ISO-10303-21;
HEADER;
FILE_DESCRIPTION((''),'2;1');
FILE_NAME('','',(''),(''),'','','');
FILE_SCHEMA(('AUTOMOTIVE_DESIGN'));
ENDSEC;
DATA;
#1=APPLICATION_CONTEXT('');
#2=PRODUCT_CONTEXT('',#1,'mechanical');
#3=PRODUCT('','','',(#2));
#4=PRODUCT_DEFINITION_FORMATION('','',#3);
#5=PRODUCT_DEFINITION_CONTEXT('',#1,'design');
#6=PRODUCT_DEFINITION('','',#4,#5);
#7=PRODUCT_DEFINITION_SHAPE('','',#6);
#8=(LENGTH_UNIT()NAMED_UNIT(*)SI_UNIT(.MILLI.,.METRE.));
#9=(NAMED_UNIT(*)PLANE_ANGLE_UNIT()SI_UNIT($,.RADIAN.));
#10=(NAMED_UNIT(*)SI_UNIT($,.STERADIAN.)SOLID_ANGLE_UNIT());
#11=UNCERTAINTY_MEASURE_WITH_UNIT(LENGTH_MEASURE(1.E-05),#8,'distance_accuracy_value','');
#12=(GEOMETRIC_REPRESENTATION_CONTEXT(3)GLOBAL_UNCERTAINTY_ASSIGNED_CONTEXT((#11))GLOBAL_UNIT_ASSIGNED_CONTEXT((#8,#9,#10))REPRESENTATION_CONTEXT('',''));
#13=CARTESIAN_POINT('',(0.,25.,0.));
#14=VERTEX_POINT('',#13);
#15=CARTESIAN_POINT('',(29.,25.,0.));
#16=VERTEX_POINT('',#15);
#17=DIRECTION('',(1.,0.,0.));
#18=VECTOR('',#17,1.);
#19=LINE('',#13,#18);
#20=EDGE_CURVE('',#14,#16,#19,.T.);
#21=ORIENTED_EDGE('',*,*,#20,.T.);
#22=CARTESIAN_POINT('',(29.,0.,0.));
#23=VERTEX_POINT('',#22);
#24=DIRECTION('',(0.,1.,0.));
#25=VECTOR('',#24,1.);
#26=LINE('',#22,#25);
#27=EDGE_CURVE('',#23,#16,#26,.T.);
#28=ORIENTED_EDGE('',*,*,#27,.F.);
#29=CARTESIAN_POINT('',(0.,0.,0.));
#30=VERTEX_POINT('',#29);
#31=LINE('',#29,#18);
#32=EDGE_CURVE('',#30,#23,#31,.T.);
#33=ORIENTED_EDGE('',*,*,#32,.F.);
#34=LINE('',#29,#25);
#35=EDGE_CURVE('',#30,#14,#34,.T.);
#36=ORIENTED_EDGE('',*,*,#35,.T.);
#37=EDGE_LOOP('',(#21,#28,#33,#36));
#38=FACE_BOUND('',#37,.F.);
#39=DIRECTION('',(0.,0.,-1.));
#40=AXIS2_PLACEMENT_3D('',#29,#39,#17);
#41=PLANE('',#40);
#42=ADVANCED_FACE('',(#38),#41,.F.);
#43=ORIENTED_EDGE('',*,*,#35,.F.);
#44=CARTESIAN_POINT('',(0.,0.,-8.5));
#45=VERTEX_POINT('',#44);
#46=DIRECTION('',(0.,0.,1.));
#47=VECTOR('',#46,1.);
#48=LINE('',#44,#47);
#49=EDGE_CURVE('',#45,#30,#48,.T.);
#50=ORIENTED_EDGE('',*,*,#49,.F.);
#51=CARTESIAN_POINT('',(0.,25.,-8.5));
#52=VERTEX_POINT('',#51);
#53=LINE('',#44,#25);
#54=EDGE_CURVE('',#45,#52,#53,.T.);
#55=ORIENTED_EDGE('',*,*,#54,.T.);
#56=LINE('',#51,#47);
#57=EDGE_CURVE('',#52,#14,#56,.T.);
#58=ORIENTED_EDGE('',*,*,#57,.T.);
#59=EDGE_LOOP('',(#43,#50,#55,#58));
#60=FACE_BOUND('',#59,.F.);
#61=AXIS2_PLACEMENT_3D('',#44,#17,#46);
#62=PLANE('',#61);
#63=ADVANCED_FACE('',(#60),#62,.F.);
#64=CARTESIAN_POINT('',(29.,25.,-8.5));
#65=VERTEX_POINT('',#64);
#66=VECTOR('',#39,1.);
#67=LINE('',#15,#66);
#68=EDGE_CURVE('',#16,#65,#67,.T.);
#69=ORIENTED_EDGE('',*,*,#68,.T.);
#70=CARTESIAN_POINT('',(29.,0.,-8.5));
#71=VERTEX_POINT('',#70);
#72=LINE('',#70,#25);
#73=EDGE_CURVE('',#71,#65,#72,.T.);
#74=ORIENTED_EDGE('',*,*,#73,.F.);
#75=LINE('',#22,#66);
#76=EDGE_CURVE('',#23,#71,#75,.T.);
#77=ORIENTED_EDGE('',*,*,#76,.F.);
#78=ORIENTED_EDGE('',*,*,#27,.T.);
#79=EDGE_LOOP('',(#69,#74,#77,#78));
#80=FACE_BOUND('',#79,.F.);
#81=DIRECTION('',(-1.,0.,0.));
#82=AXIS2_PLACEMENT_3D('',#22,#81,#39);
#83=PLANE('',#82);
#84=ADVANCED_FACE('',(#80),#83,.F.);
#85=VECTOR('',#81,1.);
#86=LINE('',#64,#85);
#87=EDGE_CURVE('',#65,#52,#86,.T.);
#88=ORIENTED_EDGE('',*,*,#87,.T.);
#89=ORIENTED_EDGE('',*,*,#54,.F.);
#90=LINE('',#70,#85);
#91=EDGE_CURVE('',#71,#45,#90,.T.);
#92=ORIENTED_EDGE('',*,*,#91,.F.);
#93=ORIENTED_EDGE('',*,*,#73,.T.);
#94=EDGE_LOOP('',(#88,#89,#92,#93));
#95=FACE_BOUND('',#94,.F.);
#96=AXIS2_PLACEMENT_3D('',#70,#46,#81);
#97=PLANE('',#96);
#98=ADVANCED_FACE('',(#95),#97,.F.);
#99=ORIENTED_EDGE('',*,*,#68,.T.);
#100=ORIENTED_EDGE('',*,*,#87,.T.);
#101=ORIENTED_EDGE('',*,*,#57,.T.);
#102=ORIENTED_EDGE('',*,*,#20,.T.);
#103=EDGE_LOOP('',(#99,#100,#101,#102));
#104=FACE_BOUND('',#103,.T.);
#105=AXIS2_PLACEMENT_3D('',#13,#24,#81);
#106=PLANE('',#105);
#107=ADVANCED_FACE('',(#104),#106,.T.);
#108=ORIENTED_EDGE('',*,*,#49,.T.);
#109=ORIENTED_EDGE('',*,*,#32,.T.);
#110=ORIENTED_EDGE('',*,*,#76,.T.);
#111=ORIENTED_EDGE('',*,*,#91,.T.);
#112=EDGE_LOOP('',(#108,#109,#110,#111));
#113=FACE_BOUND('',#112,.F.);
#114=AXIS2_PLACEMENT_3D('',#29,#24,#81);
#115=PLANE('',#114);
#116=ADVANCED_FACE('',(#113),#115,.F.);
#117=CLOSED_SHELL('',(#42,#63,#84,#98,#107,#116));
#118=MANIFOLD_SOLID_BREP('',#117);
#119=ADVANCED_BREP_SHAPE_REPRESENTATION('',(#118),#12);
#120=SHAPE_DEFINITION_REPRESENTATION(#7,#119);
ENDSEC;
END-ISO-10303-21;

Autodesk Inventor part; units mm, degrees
ref_plane "YZ Plane" through (0, 0, 0) normal (1, 0, 0) x (0, 1, 0)
ref_plane "XZ Plane" through (0, 0, 0) normal (0, 1, 0) x (-1, 0, 0)
ref_plane "XY Plane" through (0, 0, 0) normal (0, 0, 1) x (1, 0, 0)
sketch "Эскиз1" plane through (0, 0, 0) normal (0, 1, 0) x (-1, 0, 0)
  line L0 (0, 0) -> (-29, 0)
  line L1 (-29, 0) -> (-29, -8.5)
  line L2 (-29, -8.5) -> (0, -8.5)
  line L3 (0, -8.5) -> (0, 0)
  dimension "d0" = 29
  dimension "d1" = 8.5
extrude "Выдавливание1" add sketch "Эскиз1" along normal blind 25
equation "\"Радиус_гибки\" = Толщина"
equation "\"Ширина_просечки\" = Толщина"
equation "\"Глубина_просечки\" = 0.5 * Толщина"
equation "\"Размер_просечки\" = 4 * Толщина"
equation "\"Мин_остаток\" = 2 * Толщина"
equation "\"Радиус_перехода\" = Радиус_гибки"
equation "\"Радиус_Якоби\" = Радиус_гибки"
equation "\"Размер_зазора\" = Толщина"
equation "\"Толщина\" = 3.048"
properties part number "Прямоугольник"
